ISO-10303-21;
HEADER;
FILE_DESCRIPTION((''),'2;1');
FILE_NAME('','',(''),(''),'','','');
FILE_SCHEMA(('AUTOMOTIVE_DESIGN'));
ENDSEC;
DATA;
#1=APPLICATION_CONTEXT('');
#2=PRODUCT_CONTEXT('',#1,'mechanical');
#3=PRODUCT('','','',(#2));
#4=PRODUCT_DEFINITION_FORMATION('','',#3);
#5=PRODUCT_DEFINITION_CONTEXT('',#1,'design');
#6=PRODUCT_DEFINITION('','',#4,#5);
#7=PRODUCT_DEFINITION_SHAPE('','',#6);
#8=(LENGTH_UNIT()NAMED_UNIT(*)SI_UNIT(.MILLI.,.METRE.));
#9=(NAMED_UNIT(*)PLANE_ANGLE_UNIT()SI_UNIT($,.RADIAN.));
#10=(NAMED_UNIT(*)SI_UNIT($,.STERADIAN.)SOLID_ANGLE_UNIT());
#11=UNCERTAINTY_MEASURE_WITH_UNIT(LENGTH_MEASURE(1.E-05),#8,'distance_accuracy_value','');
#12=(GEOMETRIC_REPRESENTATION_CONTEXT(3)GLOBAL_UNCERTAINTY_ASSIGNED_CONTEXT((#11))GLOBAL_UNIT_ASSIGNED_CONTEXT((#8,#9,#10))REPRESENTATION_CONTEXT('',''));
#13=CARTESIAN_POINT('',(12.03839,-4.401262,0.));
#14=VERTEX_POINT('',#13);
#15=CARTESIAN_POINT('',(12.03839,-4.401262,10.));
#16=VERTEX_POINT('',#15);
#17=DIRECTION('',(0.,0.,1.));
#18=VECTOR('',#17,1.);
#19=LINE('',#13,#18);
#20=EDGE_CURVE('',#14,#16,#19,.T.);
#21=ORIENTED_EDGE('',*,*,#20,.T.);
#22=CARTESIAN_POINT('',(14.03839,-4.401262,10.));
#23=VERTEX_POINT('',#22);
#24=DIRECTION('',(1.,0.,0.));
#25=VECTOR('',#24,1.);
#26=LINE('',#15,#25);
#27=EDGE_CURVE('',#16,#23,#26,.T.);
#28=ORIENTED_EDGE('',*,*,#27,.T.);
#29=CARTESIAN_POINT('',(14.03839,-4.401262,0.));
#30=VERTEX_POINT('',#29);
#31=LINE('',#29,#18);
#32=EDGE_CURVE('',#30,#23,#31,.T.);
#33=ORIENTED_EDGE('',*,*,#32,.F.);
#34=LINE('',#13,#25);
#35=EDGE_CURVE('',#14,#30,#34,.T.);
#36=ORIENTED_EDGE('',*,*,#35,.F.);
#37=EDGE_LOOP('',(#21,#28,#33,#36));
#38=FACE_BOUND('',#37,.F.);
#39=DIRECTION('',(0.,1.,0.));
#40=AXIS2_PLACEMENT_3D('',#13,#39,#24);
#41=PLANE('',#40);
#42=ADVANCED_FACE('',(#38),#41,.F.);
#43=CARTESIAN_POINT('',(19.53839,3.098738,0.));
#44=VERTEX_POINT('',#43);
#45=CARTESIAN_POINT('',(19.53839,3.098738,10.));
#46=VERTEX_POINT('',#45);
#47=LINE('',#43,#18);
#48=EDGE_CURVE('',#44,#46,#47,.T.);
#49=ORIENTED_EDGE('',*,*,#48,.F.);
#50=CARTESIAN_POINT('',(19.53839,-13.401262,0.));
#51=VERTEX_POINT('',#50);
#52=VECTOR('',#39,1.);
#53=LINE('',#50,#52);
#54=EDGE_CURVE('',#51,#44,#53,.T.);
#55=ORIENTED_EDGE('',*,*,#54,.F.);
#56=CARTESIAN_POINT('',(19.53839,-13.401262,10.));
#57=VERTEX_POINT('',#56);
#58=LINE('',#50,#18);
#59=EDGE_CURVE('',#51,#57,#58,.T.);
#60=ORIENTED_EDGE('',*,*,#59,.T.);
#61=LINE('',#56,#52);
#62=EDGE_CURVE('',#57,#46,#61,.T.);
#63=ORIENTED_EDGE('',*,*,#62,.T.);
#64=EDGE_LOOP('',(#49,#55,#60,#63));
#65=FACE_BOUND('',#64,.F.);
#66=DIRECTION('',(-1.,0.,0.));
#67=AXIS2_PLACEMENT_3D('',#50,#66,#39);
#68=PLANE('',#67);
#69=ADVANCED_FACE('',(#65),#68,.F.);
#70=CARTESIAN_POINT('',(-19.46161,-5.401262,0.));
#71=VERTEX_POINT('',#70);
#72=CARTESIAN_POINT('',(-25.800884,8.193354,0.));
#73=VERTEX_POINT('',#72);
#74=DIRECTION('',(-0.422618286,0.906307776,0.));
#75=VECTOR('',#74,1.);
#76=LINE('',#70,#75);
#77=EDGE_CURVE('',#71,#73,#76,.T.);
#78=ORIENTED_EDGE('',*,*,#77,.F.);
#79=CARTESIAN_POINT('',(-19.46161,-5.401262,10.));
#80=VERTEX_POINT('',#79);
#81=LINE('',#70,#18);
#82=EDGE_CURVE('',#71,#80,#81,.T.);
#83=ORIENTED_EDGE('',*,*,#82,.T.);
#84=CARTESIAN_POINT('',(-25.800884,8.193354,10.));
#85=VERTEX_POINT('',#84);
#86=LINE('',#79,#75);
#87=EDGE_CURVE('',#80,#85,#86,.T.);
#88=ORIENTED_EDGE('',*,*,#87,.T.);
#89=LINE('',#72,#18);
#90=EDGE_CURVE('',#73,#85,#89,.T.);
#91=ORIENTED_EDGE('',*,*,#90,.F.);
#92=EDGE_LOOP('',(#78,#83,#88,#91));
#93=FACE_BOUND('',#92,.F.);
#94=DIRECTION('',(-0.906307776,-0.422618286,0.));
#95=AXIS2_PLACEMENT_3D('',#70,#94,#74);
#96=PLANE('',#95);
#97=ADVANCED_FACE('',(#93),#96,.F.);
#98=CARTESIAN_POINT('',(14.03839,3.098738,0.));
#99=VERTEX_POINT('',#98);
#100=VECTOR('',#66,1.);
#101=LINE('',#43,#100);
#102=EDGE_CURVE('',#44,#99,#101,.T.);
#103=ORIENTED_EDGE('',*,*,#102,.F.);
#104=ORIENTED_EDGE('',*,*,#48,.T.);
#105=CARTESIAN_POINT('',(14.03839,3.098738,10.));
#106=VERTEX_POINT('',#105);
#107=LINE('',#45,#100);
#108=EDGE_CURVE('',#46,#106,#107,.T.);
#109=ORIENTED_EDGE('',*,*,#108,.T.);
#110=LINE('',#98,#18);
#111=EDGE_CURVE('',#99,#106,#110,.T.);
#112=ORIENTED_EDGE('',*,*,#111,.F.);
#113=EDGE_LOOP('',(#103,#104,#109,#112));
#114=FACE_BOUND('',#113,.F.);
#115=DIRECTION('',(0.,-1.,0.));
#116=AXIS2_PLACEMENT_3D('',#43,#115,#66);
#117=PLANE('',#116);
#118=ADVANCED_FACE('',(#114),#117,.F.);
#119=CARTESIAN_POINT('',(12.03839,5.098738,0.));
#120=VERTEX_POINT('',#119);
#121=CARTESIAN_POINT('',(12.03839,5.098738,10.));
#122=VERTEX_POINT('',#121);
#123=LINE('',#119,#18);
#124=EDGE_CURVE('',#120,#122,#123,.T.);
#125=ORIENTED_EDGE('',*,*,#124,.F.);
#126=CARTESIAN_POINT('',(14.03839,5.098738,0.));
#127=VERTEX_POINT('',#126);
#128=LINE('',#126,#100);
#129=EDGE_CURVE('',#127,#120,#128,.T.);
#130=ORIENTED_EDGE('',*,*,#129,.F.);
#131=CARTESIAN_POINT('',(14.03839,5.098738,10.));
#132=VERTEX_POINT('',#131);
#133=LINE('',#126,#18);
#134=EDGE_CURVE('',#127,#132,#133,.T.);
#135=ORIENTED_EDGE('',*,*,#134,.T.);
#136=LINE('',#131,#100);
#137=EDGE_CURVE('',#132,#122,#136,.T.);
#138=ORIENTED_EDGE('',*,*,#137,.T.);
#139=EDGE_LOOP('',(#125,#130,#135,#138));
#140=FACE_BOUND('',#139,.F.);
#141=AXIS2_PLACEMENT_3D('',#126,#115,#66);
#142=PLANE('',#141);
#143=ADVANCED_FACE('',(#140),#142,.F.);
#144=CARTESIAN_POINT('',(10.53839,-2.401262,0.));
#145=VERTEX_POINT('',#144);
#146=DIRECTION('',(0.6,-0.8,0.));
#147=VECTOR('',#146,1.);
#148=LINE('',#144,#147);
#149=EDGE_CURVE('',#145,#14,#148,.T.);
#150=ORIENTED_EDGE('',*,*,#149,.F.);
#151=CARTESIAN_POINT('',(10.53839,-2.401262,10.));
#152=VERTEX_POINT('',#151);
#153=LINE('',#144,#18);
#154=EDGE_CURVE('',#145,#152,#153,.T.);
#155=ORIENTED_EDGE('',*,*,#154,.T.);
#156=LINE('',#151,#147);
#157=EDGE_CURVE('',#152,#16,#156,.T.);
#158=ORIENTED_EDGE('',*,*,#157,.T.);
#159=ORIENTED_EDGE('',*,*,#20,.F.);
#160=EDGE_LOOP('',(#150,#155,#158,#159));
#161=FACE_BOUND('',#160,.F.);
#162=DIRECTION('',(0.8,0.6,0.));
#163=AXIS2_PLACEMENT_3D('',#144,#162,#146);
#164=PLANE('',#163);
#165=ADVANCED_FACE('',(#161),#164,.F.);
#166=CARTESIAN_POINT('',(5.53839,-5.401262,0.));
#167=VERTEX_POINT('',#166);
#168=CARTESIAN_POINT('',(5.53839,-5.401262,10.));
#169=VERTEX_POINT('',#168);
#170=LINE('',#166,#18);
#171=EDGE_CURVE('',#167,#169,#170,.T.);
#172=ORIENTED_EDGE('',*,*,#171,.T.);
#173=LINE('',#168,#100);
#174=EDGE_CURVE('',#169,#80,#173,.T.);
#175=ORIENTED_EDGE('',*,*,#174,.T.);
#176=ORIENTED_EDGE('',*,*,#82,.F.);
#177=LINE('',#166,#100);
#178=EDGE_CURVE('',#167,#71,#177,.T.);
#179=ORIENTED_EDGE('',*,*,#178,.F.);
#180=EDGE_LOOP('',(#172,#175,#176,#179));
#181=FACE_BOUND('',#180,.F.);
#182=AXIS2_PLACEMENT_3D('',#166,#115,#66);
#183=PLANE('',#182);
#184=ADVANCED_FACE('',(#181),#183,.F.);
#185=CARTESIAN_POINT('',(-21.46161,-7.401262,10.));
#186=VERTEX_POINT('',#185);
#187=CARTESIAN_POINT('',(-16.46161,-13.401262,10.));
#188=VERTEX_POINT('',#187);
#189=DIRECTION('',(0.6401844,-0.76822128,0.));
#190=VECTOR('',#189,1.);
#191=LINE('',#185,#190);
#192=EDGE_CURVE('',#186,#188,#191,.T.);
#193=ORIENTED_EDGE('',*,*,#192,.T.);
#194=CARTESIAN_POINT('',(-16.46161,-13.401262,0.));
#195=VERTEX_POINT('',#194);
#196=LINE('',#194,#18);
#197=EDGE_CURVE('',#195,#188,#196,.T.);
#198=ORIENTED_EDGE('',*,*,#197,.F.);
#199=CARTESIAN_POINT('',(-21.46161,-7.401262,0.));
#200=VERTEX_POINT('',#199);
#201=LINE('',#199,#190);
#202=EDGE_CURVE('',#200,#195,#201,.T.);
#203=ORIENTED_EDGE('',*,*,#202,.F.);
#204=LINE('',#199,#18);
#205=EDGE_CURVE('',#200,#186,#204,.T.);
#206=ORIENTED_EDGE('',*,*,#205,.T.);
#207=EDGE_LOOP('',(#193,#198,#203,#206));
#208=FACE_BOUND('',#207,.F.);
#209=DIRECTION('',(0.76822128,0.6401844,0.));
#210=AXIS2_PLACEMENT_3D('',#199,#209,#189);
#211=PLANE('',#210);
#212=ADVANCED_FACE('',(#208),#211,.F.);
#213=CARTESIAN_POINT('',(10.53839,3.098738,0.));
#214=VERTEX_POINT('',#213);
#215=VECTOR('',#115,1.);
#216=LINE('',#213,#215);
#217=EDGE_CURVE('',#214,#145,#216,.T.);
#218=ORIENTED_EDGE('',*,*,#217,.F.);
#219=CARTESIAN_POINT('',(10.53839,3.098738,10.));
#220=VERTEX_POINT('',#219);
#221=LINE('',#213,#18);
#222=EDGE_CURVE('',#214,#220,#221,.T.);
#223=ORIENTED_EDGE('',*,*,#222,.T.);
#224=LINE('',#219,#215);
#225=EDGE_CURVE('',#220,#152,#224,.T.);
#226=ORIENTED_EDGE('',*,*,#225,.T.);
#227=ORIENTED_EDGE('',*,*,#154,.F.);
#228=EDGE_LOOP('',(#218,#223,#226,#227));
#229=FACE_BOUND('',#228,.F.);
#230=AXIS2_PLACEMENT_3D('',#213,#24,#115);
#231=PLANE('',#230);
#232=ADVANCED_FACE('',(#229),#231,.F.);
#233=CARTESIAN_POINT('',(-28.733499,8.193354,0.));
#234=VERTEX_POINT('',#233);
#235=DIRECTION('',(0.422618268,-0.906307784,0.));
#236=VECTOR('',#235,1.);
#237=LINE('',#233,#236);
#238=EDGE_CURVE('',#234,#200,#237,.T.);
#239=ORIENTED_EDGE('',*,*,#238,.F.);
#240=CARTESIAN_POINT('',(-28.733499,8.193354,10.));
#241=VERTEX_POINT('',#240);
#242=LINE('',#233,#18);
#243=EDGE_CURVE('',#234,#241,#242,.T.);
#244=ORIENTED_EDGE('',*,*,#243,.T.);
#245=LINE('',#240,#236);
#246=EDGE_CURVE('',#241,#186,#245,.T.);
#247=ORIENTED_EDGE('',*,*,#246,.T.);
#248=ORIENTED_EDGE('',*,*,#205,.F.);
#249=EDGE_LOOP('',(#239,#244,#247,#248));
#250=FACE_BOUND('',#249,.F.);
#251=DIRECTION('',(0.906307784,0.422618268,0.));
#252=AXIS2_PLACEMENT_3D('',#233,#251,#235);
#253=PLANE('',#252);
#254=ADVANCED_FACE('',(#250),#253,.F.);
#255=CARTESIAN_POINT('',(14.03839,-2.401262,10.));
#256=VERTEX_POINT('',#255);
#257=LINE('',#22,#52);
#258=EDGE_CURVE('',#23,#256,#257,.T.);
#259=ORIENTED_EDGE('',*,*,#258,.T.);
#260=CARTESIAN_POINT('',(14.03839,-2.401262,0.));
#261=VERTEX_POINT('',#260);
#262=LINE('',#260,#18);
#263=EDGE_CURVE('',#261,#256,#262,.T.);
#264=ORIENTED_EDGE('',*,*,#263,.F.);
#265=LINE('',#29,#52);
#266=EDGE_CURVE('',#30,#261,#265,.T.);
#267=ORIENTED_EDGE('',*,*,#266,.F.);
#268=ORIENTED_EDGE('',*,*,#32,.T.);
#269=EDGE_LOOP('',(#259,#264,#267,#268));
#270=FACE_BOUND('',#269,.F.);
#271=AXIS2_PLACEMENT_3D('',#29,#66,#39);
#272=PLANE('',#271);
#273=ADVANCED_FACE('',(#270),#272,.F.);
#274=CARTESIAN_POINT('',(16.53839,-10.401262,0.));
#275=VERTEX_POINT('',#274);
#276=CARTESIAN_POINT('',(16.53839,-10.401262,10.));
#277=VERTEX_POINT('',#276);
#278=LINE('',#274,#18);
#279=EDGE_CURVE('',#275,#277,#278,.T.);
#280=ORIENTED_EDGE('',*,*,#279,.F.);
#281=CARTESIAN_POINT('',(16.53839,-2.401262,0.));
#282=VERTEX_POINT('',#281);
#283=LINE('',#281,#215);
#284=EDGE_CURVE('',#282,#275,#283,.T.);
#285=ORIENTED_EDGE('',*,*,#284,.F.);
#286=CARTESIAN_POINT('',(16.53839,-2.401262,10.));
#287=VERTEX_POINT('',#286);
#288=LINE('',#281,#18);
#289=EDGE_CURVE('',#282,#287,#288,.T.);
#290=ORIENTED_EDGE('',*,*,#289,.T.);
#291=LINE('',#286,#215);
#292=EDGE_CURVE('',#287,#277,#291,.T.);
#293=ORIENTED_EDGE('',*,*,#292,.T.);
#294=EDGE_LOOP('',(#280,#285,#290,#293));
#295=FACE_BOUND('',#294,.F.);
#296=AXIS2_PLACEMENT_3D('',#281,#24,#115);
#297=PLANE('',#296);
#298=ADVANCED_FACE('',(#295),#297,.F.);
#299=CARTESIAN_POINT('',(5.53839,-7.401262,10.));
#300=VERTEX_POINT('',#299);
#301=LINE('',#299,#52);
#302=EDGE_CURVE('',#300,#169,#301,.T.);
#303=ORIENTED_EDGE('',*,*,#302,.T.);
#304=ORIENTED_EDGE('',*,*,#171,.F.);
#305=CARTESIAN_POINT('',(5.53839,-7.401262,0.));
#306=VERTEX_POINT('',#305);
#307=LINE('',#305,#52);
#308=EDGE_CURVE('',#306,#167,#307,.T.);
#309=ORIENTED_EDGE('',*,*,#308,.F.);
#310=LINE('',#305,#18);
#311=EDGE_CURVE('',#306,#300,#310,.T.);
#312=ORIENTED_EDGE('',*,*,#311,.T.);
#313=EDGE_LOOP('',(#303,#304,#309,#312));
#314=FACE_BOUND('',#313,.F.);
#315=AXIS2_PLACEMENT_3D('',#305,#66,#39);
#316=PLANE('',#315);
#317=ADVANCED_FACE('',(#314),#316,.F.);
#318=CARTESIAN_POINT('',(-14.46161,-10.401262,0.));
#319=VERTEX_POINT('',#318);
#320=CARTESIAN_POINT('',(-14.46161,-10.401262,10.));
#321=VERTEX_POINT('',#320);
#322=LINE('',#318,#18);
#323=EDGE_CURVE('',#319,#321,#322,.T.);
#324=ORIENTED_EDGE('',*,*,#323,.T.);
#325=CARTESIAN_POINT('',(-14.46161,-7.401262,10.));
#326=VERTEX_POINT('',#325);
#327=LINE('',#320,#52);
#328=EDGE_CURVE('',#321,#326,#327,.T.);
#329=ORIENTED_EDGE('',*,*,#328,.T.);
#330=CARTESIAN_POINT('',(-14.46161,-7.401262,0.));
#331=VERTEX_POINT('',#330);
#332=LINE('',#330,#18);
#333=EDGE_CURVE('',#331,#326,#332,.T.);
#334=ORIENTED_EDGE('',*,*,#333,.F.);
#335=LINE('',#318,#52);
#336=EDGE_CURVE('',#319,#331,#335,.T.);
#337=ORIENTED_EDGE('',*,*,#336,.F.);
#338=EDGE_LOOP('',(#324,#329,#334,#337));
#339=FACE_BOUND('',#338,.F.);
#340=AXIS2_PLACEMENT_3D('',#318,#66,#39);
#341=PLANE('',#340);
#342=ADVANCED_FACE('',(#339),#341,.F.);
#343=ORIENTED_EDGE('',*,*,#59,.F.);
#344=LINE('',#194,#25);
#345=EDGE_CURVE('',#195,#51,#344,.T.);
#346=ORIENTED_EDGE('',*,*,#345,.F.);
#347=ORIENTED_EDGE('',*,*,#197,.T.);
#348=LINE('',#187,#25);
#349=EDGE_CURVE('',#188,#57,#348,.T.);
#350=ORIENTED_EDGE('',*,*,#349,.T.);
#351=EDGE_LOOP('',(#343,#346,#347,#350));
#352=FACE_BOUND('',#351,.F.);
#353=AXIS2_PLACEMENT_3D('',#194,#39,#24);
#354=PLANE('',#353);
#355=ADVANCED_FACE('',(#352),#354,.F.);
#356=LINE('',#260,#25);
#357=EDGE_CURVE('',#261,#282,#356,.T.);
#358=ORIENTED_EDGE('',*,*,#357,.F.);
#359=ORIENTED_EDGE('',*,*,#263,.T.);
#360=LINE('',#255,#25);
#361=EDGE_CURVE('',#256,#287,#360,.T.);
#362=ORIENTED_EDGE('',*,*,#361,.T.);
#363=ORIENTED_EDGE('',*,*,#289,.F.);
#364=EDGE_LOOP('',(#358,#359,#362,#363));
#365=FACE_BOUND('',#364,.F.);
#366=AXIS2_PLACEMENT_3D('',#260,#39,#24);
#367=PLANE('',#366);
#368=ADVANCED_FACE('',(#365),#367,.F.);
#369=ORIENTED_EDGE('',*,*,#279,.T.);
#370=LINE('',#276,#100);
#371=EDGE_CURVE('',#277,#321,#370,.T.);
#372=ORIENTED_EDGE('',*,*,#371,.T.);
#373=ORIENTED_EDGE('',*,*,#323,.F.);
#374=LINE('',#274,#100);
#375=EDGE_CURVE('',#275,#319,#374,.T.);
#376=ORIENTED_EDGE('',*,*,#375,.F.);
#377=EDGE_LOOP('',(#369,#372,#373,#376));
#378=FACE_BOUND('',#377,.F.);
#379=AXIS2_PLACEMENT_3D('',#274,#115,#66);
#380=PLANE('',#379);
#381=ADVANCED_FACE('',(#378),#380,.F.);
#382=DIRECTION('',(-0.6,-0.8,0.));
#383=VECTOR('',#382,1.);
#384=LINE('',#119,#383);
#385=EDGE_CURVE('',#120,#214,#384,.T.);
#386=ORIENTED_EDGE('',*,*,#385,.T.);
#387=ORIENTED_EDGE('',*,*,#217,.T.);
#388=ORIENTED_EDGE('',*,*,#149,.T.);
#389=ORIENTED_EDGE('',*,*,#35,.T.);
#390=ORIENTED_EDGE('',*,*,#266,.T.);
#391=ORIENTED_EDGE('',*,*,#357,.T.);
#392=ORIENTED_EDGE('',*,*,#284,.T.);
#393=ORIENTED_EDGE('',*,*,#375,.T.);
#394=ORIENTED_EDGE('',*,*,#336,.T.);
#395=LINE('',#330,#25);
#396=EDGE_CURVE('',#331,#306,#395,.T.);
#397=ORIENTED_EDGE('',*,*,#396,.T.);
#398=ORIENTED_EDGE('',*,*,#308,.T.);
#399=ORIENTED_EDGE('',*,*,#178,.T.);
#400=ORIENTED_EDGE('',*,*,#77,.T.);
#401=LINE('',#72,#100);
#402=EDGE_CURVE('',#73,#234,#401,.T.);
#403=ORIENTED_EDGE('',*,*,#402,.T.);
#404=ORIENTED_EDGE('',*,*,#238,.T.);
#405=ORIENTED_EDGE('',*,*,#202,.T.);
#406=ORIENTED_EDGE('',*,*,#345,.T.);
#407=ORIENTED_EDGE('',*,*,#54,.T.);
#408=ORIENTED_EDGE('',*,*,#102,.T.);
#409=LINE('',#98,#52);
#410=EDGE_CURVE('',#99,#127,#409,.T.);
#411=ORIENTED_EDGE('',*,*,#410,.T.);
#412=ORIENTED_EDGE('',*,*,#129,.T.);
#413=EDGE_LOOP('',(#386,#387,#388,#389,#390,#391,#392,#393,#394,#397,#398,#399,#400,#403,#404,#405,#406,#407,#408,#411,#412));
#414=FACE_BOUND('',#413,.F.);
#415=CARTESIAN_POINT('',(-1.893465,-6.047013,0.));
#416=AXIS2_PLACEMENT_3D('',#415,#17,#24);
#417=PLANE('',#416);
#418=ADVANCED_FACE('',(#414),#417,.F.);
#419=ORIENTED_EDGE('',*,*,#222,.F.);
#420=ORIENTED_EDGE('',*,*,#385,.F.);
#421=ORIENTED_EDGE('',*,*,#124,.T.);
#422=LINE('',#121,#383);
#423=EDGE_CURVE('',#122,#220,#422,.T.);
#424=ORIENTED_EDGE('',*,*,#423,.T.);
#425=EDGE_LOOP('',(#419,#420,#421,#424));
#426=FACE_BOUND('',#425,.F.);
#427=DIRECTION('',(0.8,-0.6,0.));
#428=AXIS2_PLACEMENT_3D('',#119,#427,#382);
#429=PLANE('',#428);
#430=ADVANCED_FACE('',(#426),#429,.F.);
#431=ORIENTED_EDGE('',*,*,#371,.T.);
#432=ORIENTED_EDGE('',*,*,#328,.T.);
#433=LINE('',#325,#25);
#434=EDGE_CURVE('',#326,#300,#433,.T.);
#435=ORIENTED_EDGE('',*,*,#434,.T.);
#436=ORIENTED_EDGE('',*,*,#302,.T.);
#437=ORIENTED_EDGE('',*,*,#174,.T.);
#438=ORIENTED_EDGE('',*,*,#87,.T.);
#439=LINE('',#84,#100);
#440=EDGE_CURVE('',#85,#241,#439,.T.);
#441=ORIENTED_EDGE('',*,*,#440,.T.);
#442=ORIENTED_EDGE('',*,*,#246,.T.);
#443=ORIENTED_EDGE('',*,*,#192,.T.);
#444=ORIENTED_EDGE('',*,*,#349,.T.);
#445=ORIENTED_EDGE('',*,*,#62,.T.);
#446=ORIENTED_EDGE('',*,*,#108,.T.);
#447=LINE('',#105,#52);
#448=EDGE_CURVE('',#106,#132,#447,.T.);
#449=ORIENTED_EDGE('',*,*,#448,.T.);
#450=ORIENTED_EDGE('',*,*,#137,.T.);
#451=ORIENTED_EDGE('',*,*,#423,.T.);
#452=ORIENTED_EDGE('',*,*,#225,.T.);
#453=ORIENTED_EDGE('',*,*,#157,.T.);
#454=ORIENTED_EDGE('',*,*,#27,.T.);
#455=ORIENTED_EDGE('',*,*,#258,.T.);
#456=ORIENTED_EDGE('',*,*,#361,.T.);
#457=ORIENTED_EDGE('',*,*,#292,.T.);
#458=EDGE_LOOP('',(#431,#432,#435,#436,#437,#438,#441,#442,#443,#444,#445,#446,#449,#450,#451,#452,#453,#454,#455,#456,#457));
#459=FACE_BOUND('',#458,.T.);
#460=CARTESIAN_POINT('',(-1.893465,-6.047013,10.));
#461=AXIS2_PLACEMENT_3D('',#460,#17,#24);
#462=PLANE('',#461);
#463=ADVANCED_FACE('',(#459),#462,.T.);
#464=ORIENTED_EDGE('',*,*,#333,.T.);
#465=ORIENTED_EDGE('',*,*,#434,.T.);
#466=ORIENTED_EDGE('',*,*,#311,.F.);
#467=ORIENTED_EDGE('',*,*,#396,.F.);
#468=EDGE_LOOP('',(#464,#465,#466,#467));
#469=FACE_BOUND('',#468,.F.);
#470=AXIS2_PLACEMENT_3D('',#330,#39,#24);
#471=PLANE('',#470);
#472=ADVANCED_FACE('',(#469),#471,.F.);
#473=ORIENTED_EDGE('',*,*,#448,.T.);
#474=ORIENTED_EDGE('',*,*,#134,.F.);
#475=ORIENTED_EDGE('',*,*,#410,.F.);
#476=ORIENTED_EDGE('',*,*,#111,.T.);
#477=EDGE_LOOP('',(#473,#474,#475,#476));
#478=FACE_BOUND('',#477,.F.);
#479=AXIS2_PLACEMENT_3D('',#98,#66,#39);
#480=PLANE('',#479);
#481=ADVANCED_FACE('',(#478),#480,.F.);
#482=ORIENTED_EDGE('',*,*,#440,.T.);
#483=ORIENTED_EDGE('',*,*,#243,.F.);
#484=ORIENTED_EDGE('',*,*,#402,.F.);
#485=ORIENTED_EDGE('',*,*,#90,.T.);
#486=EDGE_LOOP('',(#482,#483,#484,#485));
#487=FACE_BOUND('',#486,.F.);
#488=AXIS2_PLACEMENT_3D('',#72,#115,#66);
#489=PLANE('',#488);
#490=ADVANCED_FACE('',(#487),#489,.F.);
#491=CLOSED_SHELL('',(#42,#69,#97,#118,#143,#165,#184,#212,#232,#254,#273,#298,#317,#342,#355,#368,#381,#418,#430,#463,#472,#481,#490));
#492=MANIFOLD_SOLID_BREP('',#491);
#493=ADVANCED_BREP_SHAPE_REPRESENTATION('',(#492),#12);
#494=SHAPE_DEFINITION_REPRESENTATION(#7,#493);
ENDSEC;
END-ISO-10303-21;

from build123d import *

# Parameters (mm, degrees)
F1_DEPTH = 10


with BuildPart() as f1:
    # F0 (on Top) → F1 (new body)
    with BuildSketch(Plane.XY):
        Polygon((14.03839, -4.401262), (14.03839, -2.401262), (16.53839, -2.401262), (16.53839, -10.401262), (-14.46161, -10.401262), (-14.46161, -7.401262), (5.53839, -7.401262), (5.53839, -5.401262), (-14.46161, -5.401262), (-16.46161, -5.401262), (-19.46161, -5.401262), (-25.800884, 8.193354), (-28.733499, 8.193354), (-21.46161, -7.401262), (-16.46161, -13.401262), (-14.46161, -13.401262), (16.53839, -13.401262), (19.53839, -13.401262), (19.53839, -10.401262), (19.53839, -2.401262), (19.53839, 3.098738), (16.53839, 3.098738), (14.03839, 3.098738), (14.03839, 5.098738), (12.03839, 5.098738), (10.53839, 3.098738), (10.53839, -2.401262), (12.03839, -4.401262), align=None)
    extrude(amount=F1_DEPTH)


solid = f1.part
